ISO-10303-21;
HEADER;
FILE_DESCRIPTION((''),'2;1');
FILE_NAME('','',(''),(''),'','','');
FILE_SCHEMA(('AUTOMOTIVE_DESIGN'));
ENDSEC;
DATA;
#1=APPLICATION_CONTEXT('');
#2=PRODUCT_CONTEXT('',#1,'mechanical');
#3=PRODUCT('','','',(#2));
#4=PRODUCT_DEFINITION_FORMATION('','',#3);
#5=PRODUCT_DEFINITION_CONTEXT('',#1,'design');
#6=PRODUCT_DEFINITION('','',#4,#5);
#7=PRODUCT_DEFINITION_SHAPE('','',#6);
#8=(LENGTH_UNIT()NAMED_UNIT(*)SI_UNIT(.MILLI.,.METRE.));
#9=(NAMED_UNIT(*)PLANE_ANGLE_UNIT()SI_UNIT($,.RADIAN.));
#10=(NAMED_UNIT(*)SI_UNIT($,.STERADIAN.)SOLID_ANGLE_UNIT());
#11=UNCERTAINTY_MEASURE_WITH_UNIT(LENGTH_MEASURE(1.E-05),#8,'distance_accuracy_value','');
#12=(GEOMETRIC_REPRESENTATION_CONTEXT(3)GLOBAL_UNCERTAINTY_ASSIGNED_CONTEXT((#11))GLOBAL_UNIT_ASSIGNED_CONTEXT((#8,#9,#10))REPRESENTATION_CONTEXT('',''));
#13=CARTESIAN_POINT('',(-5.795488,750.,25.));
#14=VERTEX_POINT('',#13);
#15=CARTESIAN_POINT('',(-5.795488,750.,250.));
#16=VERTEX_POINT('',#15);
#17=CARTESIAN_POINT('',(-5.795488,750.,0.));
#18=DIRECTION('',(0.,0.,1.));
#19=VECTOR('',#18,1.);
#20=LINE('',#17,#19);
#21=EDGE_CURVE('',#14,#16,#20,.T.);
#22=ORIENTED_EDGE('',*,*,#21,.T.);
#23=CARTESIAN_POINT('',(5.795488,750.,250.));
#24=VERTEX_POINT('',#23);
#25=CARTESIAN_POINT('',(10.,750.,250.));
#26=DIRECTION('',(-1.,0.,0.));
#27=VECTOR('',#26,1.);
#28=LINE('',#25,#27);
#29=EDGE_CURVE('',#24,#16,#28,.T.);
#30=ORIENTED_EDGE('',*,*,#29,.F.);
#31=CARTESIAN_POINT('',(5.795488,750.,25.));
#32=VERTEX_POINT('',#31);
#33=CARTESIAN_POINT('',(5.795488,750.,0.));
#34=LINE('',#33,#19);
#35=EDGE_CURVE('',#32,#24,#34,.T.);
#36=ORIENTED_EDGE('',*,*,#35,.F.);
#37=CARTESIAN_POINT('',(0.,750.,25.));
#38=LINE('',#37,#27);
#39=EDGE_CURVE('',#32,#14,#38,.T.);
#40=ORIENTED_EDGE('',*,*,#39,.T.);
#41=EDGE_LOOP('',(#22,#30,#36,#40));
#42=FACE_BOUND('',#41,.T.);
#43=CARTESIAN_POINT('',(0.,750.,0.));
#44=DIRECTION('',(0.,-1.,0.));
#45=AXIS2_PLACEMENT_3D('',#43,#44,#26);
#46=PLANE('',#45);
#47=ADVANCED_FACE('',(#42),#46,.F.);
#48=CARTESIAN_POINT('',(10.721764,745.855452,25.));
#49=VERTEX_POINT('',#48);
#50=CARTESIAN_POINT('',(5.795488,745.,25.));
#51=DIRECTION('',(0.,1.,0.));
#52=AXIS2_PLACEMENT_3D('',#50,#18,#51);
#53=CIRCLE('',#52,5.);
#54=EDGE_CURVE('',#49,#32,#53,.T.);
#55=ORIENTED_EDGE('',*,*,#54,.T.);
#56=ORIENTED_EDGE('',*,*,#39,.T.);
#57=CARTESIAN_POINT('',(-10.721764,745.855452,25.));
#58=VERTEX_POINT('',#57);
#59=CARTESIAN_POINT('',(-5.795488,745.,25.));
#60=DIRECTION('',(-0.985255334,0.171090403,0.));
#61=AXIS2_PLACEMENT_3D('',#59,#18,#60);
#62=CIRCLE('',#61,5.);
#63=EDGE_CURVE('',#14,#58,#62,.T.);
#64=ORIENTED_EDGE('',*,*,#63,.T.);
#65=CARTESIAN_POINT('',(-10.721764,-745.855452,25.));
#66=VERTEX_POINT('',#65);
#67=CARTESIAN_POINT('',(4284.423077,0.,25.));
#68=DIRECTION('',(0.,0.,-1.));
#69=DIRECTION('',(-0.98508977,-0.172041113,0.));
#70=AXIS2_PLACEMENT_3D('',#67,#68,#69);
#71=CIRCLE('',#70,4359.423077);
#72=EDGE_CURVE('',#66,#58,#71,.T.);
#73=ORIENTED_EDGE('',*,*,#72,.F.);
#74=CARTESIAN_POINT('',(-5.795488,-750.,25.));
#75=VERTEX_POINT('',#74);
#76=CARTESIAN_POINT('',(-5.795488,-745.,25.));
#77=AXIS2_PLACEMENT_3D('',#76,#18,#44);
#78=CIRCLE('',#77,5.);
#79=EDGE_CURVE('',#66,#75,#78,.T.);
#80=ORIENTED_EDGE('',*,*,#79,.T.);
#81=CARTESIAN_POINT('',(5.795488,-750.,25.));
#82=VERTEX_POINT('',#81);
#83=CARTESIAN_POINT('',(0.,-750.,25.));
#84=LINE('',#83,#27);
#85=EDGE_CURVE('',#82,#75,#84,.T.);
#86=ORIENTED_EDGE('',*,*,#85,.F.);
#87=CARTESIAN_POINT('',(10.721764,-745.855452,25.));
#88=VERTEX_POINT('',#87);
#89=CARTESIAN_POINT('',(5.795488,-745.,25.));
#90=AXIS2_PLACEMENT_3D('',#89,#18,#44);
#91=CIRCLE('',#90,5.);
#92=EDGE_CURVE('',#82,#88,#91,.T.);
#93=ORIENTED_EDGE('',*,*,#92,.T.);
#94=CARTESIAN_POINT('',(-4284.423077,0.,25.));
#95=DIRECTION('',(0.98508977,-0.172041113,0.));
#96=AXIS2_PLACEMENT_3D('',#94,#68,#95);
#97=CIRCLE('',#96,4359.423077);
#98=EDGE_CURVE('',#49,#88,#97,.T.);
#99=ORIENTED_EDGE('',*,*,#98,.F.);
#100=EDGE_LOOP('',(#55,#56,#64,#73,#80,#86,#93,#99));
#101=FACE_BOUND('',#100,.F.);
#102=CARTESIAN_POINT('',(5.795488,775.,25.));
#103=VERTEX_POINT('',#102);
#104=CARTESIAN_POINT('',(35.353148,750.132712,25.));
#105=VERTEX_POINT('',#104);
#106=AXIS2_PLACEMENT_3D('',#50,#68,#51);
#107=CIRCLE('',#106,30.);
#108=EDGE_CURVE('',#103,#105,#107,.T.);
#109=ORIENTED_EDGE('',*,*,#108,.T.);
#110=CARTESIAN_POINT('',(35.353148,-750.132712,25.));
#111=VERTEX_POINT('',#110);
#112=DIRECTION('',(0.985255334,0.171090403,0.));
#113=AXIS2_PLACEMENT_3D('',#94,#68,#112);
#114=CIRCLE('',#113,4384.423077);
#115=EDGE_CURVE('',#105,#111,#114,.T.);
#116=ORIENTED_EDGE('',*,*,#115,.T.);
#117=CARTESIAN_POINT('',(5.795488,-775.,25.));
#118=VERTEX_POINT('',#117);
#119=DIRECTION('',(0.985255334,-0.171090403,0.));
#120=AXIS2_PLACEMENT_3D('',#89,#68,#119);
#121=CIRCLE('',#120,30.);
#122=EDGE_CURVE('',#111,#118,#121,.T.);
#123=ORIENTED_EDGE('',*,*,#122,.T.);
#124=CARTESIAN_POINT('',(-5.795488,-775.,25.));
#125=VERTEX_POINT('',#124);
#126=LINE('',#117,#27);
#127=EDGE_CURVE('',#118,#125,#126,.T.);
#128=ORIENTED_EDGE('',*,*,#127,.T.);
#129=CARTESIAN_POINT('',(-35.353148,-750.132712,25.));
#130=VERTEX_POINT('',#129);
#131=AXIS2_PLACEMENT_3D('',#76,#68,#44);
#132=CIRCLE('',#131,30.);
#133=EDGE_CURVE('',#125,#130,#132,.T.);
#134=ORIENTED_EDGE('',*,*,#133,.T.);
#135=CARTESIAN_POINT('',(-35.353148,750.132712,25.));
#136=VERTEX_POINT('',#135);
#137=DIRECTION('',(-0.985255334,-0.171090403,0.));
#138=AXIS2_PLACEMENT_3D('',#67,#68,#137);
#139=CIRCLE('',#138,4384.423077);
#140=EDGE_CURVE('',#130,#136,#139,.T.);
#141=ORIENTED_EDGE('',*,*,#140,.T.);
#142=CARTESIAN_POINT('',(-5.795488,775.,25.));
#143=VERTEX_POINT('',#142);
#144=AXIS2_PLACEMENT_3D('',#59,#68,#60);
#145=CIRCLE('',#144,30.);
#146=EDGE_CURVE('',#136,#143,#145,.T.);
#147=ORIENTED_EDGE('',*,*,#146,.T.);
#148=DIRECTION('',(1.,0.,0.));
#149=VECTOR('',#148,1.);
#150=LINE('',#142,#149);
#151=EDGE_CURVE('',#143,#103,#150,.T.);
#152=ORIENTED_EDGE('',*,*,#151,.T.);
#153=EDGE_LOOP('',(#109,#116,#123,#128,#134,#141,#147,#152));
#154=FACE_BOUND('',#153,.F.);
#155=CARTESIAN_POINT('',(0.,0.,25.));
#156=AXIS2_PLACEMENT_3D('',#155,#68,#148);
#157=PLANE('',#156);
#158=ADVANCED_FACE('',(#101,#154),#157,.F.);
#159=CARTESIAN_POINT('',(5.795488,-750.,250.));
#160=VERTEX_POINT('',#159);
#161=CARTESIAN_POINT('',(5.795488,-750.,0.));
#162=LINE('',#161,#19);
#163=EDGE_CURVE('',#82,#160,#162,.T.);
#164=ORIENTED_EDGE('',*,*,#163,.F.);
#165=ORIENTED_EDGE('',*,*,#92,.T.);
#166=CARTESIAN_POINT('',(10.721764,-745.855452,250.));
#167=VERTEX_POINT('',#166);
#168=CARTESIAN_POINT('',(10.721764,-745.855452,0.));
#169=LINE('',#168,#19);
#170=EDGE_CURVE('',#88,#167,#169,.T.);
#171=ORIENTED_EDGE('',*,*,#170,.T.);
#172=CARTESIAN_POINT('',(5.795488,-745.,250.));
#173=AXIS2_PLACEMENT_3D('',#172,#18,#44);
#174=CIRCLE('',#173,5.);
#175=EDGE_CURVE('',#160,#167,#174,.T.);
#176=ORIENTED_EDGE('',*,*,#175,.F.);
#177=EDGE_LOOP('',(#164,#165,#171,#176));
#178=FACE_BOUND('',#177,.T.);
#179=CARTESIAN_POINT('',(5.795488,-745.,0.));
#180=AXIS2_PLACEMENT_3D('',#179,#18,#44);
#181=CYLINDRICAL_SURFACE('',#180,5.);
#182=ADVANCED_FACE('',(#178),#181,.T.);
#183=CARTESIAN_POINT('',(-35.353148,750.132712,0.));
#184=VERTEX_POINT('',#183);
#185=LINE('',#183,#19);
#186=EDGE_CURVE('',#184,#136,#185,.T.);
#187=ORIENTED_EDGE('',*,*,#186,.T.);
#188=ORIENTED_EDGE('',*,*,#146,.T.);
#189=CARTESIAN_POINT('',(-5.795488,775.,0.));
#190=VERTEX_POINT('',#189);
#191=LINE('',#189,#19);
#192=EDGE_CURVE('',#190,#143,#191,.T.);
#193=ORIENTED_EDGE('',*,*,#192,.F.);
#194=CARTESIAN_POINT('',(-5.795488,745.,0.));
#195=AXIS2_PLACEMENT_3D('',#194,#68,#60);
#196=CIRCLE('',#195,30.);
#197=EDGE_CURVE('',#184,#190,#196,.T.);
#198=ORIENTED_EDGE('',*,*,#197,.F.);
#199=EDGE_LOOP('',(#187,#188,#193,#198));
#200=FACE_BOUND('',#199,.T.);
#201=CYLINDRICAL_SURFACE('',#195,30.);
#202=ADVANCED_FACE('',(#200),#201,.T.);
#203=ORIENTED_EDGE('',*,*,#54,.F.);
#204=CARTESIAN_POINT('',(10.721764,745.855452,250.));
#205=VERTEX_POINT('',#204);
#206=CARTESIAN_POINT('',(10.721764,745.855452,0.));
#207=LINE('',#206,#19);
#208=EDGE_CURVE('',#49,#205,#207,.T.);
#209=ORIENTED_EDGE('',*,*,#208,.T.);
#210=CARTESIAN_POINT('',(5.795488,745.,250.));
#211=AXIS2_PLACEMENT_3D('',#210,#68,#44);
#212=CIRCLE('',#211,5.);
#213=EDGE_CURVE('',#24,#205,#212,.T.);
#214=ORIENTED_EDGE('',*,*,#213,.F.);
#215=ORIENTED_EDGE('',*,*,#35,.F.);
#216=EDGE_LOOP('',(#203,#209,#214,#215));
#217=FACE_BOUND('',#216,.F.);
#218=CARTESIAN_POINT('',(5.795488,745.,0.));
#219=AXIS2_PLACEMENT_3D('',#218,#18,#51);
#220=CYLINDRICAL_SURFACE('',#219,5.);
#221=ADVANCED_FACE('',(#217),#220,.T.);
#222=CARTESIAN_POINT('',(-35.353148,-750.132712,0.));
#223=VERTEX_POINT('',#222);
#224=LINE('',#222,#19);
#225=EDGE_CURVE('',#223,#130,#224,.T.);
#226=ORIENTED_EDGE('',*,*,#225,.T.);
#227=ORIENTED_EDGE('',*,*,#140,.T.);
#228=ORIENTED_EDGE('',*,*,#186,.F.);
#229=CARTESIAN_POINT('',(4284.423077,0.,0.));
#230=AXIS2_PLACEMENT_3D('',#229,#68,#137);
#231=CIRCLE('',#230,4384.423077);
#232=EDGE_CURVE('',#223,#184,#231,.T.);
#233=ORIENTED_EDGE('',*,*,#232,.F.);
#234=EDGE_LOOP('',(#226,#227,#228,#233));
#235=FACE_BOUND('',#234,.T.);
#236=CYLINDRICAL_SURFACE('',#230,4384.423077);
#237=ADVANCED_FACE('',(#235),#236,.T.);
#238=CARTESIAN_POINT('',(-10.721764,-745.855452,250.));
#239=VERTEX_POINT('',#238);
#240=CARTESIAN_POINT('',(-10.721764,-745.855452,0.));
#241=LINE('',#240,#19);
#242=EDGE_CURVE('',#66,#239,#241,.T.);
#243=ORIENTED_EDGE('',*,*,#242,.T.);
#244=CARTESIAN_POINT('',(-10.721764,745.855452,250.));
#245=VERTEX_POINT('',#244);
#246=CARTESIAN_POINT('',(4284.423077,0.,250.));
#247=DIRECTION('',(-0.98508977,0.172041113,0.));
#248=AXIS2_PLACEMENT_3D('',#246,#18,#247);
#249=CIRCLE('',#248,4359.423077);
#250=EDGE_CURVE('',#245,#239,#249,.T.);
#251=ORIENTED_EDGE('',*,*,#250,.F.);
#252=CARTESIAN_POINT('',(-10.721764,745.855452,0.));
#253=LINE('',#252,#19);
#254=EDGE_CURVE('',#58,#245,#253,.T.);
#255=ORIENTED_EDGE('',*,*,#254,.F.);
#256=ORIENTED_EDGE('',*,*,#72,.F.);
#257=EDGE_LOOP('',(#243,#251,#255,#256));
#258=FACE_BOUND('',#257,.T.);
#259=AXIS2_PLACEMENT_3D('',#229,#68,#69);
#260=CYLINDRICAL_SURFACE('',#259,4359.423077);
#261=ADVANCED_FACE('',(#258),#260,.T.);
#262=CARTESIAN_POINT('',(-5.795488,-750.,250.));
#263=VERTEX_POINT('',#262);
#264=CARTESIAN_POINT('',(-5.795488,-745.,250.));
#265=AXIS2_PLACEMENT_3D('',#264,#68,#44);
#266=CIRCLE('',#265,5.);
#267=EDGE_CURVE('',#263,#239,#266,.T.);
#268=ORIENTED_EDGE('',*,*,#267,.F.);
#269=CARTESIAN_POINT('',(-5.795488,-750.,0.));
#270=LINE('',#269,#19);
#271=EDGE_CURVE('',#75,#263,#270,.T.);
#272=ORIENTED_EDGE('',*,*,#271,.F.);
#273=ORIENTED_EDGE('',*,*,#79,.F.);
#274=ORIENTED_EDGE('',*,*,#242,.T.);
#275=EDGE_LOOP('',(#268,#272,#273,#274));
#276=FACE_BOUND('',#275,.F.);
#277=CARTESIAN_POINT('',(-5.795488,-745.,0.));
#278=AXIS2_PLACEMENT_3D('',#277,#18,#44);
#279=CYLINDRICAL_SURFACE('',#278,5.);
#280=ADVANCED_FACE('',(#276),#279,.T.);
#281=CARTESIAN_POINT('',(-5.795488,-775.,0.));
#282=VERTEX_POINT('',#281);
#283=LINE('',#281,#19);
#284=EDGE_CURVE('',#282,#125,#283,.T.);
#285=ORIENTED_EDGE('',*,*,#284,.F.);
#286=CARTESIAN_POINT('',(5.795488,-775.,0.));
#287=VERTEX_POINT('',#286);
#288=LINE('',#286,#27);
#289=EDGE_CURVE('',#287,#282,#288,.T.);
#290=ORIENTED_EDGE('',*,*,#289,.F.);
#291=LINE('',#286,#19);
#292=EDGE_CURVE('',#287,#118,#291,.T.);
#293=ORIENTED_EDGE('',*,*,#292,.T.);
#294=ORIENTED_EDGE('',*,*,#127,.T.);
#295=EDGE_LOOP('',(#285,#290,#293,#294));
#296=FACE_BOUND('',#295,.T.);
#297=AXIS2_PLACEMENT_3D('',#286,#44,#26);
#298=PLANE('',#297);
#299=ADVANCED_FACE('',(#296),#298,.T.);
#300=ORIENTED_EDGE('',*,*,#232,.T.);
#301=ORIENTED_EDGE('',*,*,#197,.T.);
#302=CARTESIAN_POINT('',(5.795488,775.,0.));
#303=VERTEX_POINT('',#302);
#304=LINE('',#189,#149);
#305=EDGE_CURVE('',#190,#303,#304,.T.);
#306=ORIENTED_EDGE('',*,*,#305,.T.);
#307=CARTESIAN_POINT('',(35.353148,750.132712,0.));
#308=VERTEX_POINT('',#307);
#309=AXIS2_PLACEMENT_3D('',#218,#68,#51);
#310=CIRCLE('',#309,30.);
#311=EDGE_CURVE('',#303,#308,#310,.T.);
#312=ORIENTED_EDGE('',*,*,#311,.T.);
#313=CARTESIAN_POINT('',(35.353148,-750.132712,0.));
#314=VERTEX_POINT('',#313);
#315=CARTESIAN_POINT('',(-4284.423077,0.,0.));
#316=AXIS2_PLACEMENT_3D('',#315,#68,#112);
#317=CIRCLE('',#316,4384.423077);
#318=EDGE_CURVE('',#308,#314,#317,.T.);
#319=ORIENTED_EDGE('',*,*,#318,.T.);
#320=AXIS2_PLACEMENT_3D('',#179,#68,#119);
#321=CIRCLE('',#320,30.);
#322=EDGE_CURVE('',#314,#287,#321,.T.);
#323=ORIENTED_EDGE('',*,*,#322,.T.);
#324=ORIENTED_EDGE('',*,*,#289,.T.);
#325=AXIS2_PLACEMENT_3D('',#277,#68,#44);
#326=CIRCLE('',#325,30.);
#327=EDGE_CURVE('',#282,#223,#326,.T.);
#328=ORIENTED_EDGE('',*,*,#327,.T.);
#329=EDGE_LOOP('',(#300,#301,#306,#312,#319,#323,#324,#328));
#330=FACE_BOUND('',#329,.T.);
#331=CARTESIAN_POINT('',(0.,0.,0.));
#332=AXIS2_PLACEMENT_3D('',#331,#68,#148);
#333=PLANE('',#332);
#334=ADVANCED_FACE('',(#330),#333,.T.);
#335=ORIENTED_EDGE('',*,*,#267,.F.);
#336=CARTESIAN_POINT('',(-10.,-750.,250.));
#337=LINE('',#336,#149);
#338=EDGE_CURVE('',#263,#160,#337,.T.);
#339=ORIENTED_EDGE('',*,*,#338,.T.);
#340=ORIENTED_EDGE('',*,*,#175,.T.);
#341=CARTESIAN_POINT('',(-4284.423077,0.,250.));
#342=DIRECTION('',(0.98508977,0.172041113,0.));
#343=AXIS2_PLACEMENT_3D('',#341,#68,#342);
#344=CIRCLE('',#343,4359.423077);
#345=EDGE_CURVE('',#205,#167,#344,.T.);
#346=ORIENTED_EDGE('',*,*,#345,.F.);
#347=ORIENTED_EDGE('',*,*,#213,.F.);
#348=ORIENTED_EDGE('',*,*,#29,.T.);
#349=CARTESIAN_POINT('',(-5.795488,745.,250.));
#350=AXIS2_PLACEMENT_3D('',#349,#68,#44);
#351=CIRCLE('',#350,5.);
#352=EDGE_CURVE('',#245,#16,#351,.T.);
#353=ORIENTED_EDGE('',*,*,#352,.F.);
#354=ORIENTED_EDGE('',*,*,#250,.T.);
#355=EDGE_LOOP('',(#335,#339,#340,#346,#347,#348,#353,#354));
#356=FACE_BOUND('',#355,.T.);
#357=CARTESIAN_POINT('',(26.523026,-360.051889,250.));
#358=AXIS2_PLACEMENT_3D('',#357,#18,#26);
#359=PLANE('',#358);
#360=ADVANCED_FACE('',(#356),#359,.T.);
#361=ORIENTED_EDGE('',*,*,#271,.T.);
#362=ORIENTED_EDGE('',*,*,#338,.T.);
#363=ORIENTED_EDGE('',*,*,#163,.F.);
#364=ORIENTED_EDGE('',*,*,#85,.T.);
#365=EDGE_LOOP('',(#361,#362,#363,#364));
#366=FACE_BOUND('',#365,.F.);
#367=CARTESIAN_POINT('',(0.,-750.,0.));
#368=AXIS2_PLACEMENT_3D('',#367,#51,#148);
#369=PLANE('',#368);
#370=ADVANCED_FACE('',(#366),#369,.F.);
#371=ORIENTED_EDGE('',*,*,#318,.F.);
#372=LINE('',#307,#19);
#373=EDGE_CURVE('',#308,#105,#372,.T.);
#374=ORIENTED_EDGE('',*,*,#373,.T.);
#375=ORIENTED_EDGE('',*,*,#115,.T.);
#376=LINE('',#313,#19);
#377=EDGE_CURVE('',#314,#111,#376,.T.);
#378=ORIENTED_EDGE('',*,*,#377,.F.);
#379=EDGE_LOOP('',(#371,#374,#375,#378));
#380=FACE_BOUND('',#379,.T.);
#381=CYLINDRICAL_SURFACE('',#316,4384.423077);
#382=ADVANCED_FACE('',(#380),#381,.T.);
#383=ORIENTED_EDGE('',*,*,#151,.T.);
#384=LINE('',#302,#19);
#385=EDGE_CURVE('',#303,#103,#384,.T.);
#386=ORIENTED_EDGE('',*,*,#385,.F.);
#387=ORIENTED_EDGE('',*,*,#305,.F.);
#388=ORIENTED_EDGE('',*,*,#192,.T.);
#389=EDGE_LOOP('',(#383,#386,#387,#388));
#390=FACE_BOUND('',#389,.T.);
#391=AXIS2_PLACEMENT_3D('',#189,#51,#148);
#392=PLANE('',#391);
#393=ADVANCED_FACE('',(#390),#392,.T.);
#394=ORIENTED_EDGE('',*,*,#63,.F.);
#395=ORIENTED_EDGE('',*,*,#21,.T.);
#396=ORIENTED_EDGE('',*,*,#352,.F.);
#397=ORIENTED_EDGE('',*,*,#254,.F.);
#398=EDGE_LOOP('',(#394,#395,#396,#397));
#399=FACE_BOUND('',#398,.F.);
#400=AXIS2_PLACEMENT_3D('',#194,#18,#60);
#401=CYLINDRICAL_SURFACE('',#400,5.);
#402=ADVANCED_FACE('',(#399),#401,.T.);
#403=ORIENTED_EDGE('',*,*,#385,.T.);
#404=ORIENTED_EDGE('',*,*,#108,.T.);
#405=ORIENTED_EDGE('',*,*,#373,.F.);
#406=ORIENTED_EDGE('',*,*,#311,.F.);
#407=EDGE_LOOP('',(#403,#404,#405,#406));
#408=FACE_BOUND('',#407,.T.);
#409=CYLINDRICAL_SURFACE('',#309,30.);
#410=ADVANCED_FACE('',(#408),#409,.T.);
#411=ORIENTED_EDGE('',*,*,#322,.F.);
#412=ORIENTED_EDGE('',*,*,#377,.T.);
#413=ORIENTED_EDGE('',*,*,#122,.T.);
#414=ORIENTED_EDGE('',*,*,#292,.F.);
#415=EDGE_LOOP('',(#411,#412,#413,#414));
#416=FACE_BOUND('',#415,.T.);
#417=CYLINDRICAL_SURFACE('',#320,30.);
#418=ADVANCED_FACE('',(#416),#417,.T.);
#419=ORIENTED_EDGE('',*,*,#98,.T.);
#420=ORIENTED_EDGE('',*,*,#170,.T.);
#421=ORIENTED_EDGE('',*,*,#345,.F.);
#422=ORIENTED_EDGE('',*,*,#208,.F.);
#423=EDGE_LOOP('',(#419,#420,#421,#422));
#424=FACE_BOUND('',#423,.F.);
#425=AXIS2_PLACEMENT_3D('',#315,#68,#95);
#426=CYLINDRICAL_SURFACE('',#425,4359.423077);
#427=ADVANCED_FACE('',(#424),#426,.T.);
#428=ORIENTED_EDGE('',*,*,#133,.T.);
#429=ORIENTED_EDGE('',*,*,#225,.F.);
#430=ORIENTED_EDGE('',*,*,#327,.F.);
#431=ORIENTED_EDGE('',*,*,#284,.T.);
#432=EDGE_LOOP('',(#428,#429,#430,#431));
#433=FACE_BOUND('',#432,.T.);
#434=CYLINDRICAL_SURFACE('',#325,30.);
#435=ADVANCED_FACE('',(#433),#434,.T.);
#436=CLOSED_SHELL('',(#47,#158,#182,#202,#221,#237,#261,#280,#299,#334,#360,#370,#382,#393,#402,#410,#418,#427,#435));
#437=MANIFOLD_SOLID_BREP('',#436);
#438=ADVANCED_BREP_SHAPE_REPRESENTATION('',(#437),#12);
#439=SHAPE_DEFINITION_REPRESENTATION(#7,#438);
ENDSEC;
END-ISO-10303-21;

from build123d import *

# Parameters (mm, degrees)
F1_DEPTH = 250
F4_R     = 5
F6_DEPTH = 25


with BuildPart() as f1:
    # F0 (on Top) → F1 (new body)
    with BuildSketch(Plane.XY):
        with BuildLine():
            Line((-75, 0), (0, 0))
            Line((0, 0), (0, 750))
            Line((0, 750), (-10, 750))
            ThreePointArc((-10, 750), (-58.7196001726, 376.4056986816), (-75, 0))
        make_face()
    extrude(amount=F1_DEPTH)

    # F2: F1 across face


with BuildPart() as f1_1:
    add(f1.part)
    add(f1.part.mirror(Plane(origin=(-37.5, 0, 125), x_dir=(1, 0, 0), z_dir=(0, -1, 0))))

    # F3: F1 across face


with BuildPart() as f1_2:
    add(f1_1.part)
    add(f1_1.part.mirror(Plane(origin=(0, 0, 125), x_dir=(0, 1, 0), z_dir=(1, 0, 0))))

    # F4
    f4_edges = [f1_2.edges().sort_by_distance(p)[0] for p in [
        (-10, -750, 125),
        (10, -750, 125),
        (10, 750, 125),
        (-10, 750, 125),
    ]]
    fillet(f4_edges, radius=F4_R)

    # F5 (on face) → F6 (join)
    with BuildSketch(Plane(origin=(0, 0, 0), x_dir=(1, 0, 0), z_dir=(0, 0, -1))):
        with BuildLine():
            ThreePointArc((35.3531478018, -750.1327120965), (100, 0), (35.3531478018, 750.1327120965))
            ThreePointArc((35.3531478018, 750.1327120965), (25.1089369329, 767.9562776043), (5.7954877704, 775))
            Line((5.7954877704, 775), (-5.7954877704, 775))
            ThreePointArc((-5.7954877704, 775), (-25.1089369329, 767.9562776043), (-35.3531478018, 750.1327120965))
            ThreePointArc((-35.3531478018, 750.1327120965), (-100, 0), (-35.3531478018, -750.1327120965))
            ThreePointArc((-35.3531478018, -750.1327120965), (-25.1089369329, -767.9562776043), (-5.7954877704, -775))
            Line((-5.7954877704, -775), (5.7954877704, -775))
            ThreePointArc((5.7954877704, -775), (25.1089369329, -767.9562776043), (35.3531478018, -750.1327120965))
        make_face()
    extrude(amount=-F6_DEPTH)


solid = f1_2.part
